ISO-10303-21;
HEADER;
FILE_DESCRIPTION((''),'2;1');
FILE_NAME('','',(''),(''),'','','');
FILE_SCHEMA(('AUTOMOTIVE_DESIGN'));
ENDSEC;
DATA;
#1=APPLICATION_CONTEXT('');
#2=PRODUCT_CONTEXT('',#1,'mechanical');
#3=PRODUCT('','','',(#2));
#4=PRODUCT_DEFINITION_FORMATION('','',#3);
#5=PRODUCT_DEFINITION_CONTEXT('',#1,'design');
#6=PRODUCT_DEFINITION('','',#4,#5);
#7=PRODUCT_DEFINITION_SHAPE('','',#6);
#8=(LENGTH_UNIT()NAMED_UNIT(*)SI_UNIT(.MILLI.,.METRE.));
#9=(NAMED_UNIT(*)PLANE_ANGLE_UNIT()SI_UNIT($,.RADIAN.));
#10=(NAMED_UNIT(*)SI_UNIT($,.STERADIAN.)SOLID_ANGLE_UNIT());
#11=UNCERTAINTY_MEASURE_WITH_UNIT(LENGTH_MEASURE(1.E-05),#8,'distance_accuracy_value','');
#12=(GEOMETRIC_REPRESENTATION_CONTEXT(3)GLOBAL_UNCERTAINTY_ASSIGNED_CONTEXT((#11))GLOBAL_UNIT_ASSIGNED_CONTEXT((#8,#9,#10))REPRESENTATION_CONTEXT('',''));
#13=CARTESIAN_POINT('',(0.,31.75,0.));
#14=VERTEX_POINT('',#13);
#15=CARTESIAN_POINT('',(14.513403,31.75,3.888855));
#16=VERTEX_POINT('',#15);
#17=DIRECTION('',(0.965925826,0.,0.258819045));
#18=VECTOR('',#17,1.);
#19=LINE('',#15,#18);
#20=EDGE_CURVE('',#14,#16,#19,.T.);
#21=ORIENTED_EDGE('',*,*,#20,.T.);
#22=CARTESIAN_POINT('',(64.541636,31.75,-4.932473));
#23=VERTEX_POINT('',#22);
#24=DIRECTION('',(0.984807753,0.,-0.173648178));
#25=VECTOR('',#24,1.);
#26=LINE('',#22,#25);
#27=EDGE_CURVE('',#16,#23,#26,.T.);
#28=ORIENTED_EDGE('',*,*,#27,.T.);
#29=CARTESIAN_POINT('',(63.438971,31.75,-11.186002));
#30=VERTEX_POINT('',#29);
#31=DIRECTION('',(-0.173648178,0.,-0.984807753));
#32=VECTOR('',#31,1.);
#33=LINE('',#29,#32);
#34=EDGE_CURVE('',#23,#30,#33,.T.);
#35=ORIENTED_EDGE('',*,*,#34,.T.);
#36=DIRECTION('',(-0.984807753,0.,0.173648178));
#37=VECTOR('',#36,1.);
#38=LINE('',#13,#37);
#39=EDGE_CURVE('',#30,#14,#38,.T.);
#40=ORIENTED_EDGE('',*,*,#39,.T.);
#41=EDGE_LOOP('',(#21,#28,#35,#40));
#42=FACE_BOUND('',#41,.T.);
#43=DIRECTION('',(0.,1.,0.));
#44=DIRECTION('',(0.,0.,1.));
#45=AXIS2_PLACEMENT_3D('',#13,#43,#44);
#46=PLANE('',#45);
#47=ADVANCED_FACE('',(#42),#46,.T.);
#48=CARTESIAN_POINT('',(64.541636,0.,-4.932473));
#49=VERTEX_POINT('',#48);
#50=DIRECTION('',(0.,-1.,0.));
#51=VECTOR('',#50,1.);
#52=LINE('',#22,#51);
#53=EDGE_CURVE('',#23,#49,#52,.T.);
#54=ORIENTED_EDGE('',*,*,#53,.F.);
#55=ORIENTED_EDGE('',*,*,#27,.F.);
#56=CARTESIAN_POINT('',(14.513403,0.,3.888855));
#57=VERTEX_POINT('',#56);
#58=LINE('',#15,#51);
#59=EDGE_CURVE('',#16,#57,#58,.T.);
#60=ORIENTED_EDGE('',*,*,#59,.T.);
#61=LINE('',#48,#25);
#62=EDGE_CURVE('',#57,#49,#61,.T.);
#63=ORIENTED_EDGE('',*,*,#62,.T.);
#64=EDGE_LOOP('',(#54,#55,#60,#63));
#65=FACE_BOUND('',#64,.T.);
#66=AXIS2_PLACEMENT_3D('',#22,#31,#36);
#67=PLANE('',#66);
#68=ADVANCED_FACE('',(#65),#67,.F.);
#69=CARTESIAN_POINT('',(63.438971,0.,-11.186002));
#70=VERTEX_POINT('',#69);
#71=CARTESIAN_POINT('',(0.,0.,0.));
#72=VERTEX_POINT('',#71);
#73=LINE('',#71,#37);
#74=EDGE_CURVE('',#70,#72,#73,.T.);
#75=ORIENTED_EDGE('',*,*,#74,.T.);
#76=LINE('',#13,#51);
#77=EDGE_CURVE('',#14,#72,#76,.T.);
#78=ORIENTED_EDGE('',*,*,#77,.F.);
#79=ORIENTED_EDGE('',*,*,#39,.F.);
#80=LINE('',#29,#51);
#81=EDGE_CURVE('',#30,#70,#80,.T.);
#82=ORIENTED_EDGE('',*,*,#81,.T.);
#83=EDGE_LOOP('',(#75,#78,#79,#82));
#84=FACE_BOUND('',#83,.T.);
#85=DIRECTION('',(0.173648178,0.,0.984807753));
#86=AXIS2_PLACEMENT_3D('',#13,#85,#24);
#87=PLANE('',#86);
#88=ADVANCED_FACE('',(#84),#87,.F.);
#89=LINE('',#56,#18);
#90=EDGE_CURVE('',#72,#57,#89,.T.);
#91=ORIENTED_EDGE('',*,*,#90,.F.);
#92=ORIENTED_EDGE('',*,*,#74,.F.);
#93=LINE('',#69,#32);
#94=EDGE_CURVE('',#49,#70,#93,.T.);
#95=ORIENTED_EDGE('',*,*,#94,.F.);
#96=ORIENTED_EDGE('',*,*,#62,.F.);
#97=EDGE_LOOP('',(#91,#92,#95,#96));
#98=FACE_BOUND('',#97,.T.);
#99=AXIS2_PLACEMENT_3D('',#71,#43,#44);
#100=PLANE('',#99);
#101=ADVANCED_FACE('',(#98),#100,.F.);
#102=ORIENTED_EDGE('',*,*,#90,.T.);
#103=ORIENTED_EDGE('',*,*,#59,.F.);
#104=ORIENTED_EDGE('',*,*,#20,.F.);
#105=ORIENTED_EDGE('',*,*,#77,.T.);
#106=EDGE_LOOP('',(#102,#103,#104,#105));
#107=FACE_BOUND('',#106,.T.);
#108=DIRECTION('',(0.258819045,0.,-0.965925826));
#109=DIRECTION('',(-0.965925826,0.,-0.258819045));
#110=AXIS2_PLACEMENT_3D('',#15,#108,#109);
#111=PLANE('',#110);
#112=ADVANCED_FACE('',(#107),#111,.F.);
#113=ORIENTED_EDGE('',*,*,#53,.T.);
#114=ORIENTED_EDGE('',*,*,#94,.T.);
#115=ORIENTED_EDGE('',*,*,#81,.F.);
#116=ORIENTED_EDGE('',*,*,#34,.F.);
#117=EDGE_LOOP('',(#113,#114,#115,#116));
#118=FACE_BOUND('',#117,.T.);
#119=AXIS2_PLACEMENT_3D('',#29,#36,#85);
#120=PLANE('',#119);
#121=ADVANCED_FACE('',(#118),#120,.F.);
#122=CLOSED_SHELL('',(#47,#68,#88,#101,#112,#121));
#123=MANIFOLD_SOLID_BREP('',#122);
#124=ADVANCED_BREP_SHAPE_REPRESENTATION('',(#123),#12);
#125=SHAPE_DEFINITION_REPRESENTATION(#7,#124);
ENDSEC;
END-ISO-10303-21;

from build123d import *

# Parameters (mm, degrees)
BOSS_EXTRUDE1_DEPTH = 31.75


with BuildPart() as part:
    # Sketch1 → Boss-Extrude1 (new body)
    with BuildSketch(Plane(origin=(0, 0, 0), x_dir=(1, 0, 0), z_dir=(0, 1, 0))):
        Polygon((0, 0), (63.438970568, 11.186002139), (64.541636496, 4.932472908), (14.513402643, -3.888854518), align=None)
    extrude(amount=BOSS_EXTRUDE1_DEPTH)


solid = part.part
